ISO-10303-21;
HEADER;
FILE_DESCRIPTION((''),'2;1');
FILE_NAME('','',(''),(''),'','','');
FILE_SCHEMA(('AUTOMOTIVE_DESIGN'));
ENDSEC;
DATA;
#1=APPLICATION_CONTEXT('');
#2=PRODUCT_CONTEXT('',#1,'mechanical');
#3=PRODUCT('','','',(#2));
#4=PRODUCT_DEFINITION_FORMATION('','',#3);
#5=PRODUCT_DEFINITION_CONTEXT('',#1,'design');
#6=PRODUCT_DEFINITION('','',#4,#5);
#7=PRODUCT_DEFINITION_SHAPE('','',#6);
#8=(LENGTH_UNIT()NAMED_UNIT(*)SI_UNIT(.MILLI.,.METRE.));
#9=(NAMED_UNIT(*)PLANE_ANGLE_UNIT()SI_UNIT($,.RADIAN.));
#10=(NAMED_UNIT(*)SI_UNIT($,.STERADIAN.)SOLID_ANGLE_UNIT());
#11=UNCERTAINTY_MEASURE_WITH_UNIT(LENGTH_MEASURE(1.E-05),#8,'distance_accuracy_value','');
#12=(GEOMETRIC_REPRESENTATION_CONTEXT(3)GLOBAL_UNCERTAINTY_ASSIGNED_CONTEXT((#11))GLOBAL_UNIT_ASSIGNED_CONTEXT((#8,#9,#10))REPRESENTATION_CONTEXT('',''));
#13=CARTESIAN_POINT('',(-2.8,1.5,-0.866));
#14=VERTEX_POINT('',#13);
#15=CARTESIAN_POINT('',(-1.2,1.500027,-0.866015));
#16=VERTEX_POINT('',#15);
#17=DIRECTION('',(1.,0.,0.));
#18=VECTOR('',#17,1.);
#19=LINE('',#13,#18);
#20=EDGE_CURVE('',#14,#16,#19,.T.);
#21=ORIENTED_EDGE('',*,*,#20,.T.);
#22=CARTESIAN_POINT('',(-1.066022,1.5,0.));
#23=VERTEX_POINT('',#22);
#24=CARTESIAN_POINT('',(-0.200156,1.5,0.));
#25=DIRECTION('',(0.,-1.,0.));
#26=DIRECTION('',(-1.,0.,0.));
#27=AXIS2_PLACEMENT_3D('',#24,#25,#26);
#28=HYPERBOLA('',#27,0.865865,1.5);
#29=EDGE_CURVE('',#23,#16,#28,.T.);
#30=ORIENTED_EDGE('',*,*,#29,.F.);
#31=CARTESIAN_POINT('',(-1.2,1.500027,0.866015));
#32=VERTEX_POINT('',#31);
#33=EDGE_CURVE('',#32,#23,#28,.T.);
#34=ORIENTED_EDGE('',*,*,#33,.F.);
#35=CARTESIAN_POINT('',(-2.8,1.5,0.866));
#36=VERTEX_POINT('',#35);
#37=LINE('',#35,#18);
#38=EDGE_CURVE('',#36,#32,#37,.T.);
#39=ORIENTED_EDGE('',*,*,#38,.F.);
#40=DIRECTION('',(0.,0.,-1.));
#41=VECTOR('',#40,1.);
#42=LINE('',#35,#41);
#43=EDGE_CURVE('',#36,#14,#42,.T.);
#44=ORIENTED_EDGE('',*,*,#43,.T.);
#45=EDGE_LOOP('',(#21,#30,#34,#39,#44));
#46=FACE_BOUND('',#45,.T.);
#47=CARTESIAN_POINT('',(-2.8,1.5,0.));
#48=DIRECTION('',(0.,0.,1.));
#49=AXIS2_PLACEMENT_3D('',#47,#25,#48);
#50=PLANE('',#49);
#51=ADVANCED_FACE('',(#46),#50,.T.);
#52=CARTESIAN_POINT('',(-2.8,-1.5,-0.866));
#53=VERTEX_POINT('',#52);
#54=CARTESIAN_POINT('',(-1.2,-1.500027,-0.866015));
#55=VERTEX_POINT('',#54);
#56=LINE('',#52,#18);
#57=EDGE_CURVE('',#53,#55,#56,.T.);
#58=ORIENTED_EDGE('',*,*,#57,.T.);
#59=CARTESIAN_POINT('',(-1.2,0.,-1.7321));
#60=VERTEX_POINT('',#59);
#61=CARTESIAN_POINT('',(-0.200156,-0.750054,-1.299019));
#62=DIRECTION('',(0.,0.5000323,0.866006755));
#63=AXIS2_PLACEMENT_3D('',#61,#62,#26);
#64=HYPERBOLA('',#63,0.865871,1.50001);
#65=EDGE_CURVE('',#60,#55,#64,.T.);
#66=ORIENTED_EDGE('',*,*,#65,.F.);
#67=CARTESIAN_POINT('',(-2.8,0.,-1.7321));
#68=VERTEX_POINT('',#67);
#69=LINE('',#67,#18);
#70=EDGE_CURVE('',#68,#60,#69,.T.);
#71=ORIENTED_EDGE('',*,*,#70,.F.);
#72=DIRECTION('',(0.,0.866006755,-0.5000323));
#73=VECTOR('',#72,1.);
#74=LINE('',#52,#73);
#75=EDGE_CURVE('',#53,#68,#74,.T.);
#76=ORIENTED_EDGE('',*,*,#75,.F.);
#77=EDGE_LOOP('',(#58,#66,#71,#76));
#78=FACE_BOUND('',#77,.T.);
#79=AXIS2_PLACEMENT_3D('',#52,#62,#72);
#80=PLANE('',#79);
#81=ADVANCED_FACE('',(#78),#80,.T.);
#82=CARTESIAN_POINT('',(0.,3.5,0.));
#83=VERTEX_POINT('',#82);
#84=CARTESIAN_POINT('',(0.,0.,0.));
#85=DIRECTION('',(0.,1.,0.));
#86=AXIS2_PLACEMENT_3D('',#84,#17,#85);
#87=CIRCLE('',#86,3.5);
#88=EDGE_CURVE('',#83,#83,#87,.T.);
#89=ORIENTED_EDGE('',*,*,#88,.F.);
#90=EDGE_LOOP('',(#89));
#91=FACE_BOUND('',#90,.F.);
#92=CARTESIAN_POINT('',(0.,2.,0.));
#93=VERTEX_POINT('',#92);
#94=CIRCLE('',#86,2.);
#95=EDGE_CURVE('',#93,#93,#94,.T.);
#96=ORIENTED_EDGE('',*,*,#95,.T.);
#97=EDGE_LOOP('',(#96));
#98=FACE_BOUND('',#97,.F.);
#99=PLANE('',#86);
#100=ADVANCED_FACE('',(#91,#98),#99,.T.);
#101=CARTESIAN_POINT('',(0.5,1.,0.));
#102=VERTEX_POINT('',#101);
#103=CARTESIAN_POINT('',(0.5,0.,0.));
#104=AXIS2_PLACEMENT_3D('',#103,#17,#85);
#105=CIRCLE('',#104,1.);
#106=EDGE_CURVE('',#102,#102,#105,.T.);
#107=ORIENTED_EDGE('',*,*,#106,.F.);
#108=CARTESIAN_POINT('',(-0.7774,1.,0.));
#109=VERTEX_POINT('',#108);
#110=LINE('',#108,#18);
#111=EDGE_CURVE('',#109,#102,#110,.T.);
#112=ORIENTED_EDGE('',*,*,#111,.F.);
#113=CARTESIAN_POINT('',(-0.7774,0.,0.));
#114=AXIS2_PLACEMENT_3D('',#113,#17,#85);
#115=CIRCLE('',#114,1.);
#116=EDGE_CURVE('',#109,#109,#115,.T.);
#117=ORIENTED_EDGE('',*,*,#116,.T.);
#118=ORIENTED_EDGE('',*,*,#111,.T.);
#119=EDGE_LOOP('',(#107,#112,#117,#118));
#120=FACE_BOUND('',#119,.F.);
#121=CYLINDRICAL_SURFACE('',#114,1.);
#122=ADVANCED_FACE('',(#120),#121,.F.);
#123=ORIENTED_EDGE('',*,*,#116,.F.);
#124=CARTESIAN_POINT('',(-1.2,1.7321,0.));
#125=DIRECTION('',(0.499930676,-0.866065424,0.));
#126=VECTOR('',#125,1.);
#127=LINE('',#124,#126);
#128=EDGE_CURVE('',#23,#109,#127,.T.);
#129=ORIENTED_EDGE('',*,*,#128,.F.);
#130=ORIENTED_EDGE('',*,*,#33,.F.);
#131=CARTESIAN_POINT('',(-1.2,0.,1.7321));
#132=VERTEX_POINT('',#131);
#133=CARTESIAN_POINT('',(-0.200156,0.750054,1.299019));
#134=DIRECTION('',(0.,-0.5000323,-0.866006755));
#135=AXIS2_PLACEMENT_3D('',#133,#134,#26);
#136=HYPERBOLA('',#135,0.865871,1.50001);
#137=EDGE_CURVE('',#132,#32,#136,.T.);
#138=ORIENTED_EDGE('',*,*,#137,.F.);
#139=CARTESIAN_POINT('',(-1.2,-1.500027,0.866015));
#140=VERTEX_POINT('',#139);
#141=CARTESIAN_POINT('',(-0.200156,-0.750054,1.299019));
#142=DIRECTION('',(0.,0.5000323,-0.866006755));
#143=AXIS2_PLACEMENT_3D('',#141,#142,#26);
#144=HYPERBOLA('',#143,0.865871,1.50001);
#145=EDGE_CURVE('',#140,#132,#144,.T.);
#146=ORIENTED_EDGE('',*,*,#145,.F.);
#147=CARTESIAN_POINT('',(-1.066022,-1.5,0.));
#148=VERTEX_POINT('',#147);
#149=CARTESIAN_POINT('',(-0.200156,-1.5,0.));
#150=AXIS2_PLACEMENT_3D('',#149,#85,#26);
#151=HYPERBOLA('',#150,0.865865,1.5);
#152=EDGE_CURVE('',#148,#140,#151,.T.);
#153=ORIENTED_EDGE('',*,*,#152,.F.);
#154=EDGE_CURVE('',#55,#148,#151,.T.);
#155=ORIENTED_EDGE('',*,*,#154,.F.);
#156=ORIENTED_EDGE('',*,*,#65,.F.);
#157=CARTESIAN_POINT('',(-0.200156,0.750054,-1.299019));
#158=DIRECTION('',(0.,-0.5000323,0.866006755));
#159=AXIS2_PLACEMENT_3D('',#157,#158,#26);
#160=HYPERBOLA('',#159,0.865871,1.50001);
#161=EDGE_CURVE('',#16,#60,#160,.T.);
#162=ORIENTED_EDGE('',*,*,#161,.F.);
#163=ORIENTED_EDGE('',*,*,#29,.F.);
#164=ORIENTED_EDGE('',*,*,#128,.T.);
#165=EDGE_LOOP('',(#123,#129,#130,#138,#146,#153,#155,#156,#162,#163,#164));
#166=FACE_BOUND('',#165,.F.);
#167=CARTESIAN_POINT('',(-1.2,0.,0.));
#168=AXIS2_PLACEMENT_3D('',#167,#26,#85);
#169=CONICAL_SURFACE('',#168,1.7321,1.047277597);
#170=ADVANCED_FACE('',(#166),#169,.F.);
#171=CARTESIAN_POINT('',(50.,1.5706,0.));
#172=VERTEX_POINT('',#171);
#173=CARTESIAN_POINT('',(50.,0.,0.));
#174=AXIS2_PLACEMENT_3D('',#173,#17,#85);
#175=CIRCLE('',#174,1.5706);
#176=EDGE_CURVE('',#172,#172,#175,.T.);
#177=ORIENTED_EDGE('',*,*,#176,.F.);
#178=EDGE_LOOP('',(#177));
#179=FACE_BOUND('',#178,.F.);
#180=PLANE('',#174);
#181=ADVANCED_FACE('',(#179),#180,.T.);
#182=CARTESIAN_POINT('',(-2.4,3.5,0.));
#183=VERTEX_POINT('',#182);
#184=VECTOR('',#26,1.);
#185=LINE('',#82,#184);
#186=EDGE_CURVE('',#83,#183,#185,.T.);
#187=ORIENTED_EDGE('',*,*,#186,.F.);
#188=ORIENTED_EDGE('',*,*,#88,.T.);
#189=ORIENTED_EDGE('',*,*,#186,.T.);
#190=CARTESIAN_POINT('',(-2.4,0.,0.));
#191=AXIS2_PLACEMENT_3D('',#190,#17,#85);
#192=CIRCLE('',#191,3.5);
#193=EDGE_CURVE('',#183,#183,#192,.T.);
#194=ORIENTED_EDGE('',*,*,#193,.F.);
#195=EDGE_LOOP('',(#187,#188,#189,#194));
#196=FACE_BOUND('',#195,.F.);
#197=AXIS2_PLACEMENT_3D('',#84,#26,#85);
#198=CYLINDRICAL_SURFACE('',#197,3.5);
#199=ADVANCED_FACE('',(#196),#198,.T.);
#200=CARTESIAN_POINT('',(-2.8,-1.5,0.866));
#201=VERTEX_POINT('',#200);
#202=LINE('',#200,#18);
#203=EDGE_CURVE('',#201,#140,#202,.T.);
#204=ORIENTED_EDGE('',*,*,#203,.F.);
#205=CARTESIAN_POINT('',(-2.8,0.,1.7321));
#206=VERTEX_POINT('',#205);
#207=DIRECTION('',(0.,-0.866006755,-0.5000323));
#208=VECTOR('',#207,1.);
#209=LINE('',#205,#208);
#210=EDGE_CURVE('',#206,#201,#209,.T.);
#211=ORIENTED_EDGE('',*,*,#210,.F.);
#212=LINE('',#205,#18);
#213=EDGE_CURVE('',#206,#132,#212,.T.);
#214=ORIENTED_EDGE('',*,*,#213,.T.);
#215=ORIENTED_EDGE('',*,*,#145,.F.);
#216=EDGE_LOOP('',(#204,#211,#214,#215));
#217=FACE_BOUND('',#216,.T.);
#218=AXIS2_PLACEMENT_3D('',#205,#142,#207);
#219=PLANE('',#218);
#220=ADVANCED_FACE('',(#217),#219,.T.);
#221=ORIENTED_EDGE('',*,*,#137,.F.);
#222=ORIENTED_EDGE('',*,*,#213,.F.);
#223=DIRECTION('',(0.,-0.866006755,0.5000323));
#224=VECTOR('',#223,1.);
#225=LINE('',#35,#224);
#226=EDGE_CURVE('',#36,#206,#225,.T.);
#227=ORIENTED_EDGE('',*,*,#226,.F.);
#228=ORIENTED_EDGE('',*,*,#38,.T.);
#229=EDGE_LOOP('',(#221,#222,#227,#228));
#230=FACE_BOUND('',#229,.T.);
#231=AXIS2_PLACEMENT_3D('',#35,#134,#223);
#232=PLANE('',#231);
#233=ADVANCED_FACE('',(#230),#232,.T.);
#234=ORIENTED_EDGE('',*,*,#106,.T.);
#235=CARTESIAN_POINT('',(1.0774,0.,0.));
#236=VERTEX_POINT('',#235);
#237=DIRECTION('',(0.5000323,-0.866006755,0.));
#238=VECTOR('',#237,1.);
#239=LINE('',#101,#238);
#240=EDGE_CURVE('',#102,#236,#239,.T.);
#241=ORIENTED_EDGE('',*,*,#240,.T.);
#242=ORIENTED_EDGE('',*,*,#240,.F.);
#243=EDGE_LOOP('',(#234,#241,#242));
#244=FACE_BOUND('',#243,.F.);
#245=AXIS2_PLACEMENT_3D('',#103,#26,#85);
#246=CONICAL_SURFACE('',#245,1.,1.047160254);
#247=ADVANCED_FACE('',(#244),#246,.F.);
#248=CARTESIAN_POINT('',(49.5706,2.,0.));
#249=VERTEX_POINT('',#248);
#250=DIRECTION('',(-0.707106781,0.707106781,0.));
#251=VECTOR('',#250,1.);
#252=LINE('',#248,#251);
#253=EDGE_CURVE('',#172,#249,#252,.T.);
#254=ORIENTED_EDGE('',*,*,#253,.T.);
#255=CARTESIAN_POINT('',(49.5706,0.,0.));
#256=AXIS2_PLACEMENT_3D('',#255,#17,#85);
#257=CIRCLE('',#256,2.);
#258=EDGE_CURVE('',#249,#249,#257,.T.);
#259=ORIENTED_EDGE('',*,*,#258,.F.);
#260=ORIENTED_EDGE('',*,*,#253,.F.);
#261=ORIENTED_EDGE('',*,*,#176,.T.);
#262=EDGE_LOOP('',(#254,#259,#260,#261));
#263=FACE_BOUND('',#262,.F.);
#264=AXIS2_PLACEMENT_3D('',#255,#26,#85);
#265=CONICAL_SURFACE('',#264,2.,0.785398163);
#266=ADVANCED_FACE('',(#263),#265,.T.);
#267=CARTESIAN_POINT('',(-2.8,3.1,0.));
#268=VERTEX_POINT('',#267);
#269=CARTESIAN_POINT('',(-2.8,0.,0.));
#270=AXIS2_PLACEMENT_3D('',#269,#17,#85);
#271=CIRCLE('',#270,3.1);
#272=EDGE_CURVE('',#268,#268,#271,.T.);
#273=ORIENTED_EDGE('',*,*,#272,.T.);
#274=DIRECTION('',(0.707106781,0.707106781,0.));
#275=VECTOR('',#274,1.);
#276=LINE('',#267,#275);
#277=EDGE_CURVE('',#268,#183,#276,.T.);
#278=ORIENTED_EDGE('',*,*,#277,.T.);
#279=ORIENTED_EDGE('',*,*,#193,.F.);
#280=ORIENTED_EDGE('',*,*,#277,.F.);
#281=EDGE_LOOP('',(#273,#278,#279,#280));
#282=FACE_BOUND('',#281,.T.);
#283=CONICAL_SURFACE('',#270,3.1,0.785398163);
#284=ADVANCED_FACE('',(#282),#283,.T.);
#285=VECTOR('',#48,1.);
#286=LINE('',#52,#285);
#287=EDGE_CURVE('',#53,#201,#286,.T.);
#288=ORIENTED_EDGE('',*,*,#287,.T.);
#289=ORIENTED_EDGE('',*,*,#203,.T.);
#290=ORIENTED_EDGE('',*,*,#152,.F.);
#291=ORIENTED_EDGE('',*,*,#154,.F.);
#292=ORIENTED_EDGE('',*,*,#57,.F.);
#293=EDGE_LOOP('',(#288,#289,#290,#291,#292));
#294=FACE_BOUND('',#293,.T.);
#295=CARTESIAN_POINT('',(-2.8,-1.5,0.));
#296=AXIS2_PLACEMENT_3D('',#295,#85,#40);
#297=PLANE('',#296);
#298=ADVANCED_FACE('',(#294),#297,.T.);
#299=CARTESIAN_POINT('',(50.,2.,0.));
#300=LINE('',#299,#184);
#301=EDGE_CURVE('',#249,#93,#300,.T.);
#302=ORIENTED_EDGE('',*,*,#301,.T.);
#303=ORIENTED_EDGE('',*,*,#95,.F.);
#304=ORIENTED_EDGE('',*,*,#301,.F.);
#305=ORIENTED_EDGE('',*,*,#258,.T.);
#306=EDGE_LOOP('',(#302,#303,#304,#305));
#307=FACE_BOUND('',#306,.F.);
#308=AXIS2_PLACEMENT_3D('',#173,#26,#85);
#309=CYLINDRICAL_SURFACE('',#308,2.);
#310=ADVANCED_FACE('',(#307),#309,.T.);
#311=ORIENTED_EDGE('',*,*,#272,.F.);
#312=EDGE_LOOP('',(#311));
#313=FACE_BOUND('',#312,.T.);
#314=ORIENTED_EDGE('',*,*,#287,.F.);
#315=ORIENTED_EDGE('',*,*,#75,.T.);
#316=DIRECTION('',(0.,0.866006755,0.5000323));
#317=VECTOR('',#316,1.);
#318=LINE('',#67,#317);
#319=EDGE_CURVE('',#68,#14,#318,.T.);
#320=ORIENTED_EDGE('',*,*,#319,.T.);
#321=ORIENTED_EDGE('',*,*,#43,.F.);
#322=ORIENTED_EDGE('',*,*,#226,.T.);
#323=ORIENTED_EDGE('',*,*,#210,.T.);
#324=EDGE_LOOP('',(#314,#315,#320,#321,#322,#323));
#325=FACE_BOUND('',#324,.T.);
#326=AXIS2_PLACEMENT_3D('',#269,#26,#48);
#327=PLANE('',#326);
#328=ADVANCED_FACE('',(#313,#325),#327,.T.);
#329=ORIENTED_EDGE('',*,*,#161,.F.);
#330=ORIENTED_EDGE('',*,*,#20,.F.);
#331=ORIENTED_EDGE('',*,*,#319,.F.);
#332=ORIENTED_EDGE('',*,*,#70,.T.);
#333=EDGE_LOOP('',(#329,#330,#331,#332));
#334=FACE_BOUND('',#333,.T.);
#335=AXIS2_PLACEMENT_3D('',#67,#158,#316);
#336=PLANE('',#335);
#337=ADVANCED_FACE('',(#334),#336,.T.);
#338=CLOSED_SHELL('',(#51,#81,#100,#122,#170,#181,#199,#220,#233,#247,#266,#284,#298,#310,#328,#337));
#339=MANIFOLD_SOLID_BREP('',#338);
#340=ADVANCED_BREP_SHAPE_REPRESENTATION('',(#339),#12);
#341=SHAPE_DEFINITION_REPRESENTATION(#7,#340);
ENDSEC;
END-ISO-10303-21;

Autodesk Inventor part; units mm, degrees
ref_plane "YZ Plane" through (0, 0, 0) normal (1, 0, 0) x (0, 1, 0)
ref_plane "XZ Plane" through (0, 0, 0) normal (0, 1, 0) x (-1, 0, 0)
sketch "Sketch1" plane through (0, 0, 0) normal (0, 0, 1) x (1, 0, 0)
  line L0 (1.0774, 0) -> (50, 0)
  line L1 (50, 0) -> (50, 2)
  line L2 (50, 2) -> (0, 2)
  line L3 (0, 2) -> (0, 3.5)
  line L4 (0, 3.5) -> (-2.8, 3.5)
  line L5 (-2.8, 3.5) -> (-2.8, 1.7321)
  line L6 (-2.8, 1.7321) -> (-1.2, 1.7321)
  line L7 (-1.2, 1.7321) -> (-0.7774, 1)
  line L8 (-13.36, 0) -> (60.56, 0) projected
  line L9 (0, -0.7) -> (0, 4.2) projected
  line L10 (-0.7774, 1) -> (0.5, 1)
  line L11 (0.5, 1) -> (1.0774, 0)
  line L12 (-2.8, 1.7321) -> (-2.8, 0) construction
  line L13 (-2.8, 3.1) -> (-2.4, 3.5)
  dimension "d0" = 2.8
  dimension "d1" = 1.6
  dimension "d2" = 60
  dimension "d3" = 4
  dimension "d4" = 3.4641
  dimension "d5" = 7
  dimension "d15" = 3.3
  dimension "d16" = 2
  dimension "d17" = 50
  dimension "d32" = 45
  dimension "d33" = 0.4
revolve "Body" add sketch "Sketch1" angle 360 about axis through (1.0774, 0, 0) along (1, 0, 0) contours L11 L10 L9 L2 L1 L0 | L10 L7 L6 L5 L13 L4 L3 L9 | L13 L5 L4
revolve "Chamfer2" cut sketch "Sketch1" angle 360 about axis through (-10, 0, 0) along (1, 0, 0) contours L13 L5 L4
sketch "Sketch2" plane through (-2.8, 0, 0) normal (-1, 0, 0) x (0, 0, 1)
  circle A0 centre (0, 0) radius 1.7321 projected
  line L0 (0, -4.9) -> (0, 4.9) projected
  line L1 (-4.9, 0) -> (4.9, 0) projected
  line L2 (1.7321, 0) -> (0.866, -1.5)
  line L3 (0.866, -1.5) -> (-0.866, -1.5)
  line L4 (-0.866, -1.5) -> (-1.7321, 0)
  line L5 (-1.7321, 0) -> (-0.866, 1.5)
  line L6 (-0.866, 1.5) -> (0.866, 1.5)
  line L7 (0.866, 1.5) -> (1.7321, 0)
extrude "Slot" add sketch "Sketch2" against normal up to next contours L7 A0 | A0 L2 | L6 L0 A0 | A0 L0 L3 | L0 L6 A0 | A0 L3 L0 | L4 A0 | A0 L5
thread "Thread" size "M4x0.7" class "6g" standard "ISO Metric profile" length 14
chamfer "Chamfer1" distance 0.4294 distance2 0.4294 1 edges at (50, -2, 0) measured on face at (50, -0.8158, 0.4805)
ref_plane "Work Plane1" through (25, 0, 0) normal (0, 0.5, 0.866) x (1, 0, 0)
equation "\"d0\" = KOH"
equation "\"d1\" = INTI"
equation "\"d3\" = GD"
equation "\"d4\" = 1.1547 * SW"
equation "\"d5\" = KOD"
equation "\"d15\" = INFT"
equation "\"d16\" = SDT"
equation "\"d17\" = NLG"
equation "\"d33\" = Cham"
equation "\"d7\" = GEL"
equation "\"d9\" = -0.5 * SPD + 0.5 * GD"
equation "\"d12\" = GUL"
equation "\"GD\" = NND"
equation "\"NLG\" = 50"
equation "\"GEL\" = 14"
equation "\"KOD\" = 7"
equation "\"KOH\" = 2.8"
equation "\"GUL\" = 0.61345 * PTC"
equation "\"SW\" = 3"
equation "\"INTI\" = 1.6"
equation "\"SPD\" = NND - 1.2269 * PTC"
equation "\"SDT\" = 2"
equation "\"INFT\" = 3.3"
equation "\"Cham\" = 0.4"
equation "\"TOA\" = 30deg"
equation "\"GD1\" = THREADDIA - 1.2269 * PTC"
equation "\"THREADDIA\" = 4"
equation "\"BDM\" = NND"
equation "\"FAWI\" = 45deg"
equation "\"RR\" = 0.1 * NND"
equation "\"PTC\" = 0.7"
equation "\"NND\" = 4"
equation "\"FAWI1\" = 45deg"
equation "\"GAL\" = 0.61345 * PTC"
equation "\"E0\" = 1.155 * SW"
properties part number "DIN 6912 - M4 x 50" material "Steel, Mild"
